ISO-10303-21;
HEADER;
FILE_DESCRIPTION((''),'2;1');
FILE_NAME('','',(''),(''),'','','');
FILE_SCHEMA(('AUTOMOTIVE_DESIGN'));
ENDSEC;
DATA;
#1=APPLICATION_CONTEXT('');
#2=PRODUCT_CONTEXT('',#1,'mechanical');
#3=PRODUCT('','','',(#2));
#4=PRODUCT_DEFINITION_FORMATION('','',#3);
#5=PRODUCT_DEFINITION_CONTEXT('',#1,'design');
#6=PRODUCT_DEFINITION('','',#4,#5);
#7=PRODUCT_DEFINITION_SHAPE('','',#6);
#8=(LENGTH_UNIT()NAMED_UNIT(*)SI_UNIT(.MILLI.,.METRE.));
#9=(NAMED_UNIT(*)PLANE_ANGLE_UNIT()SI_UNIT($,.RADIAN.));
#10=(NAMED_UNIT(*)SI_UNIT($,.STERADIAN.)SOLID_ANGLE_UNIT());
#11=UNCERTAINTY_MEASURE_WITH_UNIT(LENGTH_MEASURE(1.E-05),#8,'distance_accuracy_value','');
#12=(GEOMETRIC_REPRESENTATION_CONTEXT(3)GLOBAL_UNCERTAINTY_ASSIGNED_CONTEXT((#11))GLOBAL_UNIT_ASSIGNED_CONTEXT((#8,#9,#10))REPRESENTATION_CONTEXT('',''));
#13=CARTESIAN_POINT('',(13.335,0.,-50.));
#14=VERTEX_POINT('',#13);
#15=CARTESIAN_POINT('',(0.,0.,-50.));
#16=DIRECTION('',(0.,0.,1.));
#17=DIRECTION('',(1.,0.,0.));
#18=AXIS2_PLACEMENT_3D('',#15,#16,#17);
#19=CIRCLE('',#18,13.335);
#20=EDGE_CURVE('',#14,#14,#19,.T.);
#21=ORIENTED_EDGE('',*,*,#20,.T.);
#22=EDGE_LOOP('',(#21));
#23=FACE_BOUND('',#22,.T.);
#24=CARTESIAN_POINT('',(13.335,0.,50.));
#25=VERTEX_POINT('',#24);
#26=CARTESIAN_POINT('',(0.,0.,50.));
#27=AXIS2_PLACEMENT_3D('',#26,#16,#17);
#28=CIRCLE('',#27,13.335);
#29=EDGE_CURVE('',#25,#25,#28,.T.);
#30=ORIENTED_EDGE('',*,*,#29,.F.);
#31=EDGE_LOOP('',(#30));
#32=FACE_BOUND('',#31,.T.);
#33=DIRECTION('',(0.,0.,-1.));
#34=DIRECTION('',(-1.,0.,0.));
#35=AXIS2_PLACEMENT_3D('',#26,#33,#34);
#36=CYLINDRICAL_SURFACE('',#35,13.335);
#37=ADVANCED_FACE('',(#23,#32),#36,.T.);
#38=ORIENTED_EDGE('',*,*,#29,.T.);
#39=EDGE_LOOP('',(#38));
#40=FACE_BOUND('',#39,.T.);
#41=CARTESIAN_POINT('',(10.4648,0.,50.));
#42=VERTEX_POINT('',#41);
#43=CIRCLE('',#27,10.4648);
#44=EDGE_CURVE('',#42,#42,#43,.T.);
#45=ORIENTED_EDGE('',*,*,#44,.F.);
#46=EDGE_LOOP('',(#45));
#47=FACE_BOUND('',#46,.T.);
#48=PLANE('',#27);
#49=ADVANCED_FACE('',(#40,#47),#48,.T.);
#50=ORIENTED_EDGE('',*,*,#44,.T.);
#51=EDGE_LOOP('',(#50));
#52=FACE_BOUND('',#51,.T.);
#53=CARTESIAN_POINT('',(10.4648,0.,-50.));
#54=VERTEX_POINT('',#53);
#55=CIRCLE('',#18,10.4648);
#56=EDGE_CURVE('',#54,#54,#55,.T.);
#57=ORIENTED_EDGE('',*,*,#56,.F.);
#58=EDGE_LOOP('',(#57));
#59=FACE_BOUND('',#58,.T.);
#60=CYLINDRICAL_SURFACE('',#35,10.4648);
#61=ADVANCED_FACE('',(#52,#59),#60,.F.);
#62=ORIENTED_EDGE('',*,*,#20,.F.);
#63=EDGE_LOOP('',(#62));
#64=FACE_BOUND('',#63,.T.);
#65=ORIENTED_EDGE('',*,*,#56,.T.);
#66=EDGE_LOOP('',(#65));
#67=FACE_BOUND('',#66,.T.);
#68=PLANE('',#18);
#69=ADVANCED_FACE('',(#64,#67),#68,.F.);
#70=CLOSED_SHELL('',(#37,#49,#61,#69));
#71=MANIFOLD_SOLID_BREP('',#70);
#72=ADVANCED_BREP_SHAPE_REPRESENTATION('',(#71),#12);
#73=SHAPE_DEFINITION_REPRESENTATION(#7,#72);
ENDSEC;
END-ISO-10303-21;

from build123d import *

# Parameters (mm, degrees)
BOSS_EXTRUDE1_DEPTH      = 50
BOSS_EXTRUDE1_DEPTH_BACK = 50
SKETCH3_R                = 13.335
SKETCH3_R_2              = 10.4648


with BuildPart() as part:
    # Sketch3 → Boss-Extrude1 (new, two sides: drawn at the far end of the back side and taken through both)
    with BuildSketch(Plane.XY.offset(-BOSS_EXTRUDE1_DEPTH_BACK)):
        Circle(SKETCH3_R)
        Circle(SKETCH3_R_2, mode=Mode.SUBTRACT)
    extrude(amount=BOSS_EXTRUDE1_DEPTH + BOSS_EXTRUDE1_DEPTH_BACK)


solid = part.part
